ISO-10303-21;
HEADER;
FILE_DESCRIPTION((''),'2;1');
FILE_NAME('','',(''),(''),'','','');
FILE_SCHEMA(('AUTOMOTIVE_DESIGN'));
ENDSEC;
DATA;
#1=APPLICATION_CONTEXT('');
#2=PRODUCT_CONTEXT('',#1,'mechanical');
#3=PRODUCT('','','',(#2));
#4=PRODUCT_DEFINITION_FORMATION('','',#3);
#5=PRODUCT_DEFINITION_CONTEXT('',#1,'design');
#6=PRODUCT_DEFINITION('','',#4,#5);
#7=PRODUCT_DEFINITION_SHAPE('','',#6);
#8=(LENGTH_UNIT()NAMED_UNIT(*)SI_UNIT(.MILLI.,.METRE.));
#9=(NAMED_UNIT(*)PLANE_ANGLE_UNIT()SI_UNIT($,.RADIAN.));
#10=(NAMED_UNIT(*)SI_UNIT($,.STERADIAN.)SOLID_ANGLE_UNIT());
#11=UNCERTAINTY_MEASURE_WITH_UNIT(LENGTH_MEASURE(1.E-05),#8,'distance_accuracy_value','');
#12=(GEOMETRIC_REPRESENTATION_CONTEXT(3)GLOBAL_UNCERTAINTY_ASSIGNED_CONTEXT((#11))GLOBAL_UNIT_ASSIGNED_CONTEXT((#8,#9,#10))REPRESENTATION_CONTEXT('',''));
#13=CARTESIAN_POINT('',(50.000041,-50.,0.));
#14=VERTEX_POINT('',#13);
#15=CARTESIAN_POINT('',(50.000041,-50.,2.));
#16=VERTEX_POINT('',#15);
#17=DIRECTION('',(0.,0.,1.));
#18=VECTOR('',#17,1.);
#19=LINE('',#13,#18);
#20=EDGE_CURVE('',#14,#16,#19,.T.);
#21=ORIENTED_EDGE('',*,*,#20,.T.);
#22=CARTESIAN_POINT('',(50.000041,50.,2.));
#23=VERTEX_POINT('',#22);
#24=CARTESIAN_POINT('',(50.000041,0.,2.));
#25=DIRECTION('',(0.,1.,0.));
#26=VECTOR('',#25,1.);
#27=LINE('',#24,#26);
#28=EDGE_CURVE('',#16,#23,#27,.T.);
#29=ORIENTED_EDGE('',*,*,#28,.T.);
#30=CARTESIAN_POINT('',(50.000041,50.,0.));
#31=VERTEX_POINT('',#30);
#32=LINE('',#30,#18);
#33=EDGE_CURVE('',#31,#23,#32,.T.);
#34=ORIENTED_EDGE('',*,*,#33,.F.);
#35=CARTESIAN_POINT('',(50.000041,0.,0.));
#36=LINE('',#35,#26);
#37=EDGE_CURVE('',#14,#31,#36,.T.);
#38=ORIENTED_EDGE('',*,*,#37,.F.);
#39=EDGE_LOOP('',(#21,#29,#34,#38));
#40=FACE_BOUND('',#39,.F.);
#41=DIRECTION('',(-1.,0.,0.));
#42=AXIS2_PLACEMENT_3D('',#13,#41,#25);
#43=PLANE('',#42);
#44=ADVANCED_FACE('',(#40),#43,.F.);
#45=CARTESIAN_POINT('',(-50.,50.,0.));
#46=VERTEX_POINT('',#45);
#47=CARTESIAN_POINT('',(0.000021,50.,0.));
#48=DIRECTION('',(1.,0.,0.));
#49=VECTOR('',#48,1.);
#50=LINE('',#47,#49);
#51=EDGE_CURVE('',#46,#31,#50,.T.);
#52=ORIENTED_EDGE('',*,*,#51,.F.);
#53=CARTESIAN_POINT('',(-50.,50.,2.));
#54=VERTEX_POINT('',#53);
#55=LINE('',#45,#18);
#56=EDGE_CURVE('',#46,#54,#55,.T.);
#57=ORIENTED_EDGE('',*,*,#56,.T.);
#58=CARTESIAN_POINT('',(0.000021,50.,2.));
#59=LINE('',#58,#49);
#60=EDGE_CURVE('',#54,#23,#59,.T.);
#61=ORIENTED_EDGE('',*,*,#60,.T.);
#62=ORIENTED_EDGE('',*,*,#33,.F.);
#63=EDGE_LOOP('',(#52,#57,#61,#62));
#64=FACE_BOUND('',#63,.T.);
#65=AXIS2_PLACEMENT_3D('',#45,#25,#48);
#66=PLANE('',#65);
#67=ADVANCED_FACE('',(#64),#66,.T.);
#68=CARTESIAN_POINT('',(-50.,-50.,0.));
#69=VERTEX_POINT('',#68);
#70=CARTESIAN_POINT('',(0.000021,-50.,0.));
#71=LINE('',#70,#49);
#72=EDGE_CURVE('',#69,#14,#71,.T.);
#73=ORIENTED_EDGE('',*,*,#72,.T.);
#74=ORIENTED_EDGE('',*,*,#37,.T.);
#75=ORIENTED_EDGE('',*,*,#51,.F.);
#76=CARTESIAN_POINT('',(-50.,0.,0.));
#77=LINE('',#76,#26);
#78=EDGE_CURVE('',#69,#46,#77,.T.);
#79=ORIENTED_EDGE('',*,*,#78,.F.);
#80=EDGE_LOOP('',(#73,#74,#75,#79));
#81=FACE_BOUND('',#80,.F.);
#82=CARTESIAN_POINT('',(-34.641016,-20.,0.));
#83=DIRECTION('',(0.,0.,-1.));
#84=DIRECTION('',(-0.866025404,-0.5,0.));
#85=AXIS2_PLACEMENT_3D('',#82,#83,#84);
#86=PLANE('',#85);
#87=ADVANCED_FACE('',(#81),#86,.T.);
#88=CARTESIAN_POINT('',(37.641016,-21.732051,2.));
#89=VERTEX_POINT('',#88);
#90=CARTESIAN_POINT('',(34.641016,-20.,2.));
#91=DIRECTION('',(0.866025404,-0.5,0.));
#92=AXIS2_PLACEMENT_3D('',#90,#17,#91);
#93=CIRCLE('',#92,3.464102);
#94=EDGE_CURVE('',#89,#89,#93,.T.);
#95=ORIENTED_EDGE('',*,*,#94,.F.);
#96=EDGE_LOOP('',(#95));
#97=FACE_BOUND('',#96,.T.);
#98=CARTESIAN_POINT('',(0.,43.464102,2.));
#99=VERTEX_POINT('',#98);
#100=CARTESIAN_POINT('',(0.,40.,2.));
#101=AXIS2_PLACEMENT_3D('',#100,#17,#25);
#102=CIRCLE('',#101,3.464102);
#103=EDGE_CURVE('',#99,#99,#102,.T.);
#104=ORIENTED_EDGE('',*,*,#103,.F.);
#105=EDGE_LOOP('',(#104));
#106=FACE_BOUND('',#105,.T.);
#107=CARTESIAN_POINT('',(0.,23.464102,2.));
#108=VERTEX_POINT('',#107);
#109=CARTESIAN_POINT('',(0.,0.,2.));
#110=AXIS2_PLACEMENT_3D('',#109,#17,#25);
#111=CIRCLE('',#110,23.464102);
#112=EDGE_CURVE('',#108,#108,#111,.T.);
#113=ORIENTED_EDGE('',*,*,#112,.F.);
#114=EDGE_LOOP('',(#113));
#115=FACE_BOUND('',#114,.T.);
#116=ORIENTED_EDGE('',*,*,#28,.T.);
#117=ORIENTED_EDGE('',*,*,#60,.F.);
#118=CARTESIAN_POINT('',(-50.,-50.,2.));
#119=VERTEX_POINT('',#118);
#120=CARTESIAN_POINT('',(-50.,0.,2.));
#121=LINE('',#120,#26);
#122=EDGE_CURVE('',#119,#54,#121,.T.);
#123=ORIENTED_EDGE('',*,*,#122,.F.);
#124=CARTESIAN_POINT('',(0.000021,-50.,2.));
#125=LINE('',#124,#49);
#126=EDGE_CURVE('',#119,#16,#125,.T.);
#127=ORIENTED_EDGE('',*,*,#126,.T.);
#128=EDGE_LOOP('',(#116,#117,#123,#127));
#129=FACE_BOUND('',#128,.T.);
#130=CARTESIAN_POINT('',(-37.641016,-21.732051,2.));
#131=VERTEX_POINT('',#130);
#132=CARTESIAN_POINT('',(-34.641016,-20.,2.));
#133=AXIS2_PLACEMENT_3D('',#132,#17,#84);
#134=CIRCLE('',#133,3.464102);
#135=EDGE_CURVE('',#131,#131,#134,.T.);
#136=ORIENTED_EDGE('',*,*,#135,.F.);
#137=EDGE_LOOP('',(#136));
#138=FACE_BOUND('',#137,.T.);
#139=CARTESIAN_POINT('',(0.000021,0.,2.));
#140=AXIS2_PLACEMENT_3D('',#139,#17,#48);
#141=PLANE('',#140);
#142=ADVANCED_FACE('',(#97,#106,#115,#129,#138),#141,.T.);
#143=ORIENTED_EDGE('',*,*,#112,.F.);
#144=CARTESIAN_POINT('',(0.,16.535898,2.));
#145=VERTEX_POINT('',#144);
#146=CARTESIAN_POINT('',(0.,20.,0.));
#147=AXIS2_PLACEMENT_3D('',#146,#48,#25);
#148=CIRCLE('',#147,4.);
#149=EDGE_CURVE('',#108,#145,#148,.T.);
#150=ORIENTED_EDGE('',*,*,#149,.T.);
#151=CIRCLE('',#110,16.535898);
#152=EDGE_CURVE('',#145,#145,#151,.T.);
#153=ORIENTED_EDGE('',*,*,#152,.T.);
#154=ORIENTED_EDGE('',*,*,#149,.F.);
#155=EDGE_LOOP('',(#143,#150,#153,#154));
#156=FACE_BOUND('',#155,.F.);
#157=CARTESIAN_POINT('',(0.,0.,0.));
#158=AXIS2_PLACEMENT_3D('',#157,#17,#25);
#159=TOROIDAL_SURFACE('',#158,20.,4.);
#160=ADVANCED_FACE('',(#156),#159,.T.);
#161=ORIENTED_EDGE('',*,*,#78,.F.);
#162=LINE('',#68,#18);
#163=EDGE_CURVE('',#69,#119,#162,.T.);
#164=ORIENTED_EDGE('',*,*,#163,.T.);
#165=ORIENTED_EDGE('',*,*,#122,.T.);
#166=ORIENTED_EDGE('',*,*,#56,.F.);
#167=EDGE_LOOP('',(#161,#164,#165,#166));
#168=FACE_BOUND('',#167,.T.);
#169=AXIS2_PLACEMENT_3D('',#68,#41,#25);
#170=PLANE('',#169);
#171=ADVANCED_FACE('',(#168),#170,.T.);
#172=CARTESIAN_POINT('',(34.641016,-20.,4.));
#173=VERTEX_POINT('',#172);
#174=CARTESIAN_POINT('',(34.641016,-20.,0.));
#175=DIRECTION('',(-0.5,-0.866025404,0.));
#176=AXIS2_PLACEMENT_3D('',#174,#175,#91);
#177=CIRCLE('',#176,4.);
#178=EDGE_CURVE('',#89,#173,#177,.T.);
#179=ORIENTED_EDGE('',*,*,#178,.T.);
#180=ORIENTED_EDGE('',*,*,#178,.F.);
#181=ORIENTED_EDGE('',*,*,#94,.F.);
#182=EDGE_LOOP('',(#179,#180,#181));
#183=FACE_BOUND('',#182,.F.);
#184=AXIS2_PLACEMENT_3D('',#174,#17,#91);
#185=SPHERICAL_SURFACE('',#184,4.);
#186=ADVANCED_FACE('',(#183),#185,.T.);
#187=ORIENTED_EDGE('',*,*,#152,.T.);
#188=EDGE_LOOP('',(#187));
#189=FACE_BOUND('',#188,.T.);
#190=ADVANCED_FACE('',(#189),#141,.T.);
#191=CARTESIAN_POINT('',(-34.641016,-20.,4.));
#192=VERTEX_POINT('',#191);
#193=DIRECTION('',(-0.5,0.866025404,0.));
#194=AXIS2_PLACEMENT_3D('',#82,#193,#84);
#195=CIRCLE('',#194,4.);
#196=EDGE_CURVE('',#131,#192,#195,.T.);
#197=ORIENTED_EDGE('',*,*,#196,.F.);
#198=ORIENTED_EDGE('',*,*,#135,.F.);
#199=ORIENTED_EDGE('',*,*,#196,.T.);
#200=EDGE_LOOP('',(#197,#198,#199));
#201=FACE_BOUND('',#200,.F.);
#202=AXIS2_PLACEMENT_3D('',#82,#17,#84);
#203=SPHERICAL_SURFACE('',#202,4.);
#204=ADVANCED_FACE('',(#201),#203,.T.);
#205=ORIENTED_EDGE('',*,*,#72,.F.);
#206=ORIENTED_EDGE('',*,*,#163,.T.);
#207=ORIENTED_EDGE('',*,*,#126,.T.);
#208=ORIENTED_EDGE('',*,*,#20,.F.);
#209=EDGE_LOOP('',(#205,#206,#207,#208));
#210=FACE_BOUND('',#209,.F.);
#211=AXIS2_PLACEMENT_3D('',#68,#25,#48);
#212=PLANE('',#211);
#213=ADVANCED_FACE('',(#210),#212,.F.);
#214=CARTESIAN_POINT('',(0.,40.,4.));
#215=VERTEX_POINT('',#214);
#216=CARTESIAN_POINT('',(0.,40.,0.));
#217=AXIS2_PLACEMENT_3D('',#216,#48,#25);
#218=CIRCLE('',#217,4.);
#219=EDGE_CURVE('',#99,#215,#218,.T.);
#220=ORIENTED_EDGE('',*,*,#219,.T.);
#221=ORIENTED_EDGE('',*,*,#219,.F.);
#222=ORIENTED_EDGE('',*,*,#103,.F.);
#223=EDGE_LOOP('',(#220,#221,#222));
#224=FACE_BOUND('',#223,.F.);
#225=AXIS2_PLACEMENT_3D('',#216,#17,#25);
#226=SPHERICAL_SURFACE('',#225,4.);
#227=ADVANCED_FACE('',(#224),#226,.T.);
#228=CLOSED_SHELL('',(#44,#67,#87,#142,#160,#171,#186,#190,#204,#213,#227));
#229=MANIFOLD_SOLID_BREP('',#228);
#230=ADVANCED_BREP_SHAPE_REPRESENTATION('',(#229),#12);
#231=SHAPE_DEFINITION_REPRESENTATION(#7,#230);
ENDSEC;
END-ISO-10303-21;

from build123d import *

# Parameters (mm, degrees)
F0_W     = 100.0000410745
F0_H     = 100
F1_DEPTH = 2
F6_COUNT = 3


with BuildPart() as f1:
    # F0 (on Top) → F1 (new body)
    with BuildSketch(Plane.XY):
        with Locations((2.05373e-05, 0)):
            Rectangle(F0_W, F0_H)
    extrude(amount=F1_DEPTH)

    # F2 (on Right) → F3 (revolve)
    with BuildSketch(Plane.YZ):
        with BuildLine():
            Line((16, 0), (24, 0))
            ThreePointArc((24, 0), (20, 4), (16, 0))
        make_face()
    revolve(axis=Axis((0, 0, 3.7722848356), (0, 0, -1)))

    # F4 (on Right) → F5 (revolve)
    with BuildSketch(Plane.YZ):
        with BuildLine():
            Line((40, 0), (44, 0))
            ThreePointArc((44, 0), (42.8284271247, 2.8284271247), (40, 4))
            Line((40, 4), (40, 0))
        make_face()
    f5 = revolve(axis=Axis((0, 40, 1.4672121033), (0, 0, -1)))

    # F6: F5 ×3 about axis
    f6_axis = Axis((0, 0, 3.7722848356), (0, 0, -1))
    for i in range(1, F6_COUNT):
        add(f5.rotate(f6_axis, i * 360 / F6_COUNT))


solid = f1.part
